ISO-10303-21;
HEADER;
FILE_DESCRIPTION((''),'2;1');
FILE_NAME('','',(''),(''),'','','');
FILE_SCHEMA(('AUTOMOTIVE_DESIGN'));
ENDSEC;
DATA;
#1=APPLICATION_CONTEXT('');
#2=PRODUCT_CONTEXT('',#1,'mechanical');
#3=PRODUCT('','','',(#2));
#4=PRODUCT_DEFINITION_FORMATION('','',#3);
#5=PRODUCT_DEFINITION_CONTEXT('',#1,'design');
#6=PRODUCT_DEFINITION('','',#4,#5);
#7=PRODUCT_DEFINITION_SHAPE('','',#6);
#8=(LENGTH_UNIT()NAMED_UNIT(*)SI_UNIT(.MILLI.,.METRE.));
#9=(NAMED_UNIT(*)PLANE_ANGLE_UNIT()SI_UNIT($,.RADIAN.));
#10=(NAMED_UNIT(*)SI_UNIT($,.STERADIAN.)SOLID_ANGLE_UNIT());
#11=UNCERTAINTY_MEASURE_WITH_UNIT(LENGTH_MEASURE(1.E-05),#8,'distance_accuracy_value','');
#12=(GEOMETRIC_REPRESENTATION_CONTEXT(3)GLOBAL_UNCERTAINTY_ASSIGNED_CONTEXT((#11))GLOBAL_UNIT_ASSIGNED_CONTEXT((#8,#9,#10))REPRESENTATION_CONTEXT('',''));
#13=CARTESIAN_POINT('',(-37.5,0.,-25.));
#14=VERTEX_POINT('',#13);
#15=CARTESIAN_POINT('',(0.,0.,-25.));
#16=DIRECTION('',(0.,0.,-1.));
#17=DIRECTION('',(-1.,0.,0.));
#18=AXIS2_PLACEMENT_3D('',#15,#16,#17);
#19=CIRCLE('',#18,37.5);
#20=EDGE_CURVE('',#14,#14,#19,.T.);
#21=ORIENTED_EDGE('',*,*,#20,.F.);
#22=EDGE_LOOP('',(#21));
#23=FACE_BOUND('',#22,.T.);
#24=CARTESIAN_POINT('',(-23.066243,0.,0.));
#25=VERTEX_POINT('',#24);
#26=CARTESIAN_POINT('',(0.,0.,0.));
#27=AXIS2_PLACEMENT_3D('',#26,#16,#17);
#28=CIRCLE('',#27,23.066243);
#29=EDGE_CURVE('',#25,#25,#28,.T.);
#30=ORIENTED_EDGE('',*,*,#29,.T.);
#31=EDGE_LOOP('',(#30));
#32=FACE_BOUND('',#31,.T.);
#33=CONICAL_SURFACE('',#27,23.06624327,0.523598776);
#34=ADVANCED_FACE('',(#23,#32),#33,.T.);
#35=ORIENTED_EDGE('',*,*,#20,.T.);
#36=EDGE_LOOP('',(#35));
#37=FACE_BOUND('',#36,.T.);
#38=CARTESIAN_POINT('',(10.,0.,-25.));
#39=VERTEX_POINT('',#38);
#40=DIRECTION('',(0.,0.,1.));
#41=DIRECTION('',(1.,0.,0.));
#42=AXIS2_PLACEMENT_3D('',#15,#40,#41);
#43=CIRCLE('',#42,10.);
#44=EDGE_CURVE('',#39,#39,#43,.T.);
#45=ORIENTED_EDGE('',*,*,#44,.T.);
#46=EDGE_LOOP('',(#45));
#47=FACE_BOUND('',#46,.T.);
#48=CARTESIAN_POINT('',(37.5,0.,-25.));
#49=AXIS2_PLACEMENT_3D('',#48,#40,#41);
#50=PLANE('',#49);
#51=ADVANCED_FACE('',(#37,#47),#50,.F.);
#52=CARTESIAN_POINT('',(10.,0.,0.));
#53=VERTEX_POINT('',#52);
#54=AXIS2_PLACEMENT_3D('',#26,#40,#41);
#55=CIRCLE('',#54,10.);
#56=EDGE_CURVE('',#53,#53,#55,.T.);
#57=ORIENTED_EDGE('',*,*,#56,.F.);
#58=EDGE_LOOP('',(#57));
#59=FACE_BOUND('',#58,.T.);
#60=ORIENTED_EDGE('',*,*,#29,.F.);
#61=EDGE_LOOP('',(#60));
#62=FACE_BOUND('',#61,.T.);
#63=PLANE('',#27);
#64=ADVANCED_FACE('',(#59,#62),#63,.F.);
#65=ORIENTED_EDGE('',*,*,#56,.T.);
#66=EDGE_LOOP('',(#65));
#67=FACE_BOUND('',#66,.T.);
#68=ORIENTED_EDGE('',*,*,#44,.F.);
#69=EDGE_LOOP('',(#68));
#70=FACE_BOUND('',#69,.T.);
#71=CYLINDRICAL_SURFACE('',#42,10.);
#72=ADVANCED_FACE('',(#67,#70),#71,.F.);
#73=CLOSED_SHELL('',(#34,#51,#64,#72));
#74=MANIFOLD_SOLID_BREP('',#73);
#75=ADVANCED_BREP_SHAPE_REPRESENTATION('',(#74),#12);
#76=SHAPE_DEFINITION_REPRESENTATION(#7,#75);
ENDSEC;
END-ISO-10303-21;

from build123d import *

# Parameters (mm, degrees)
SKETCH3_R          = 10
CUT_EXTRUDE1_DEPTH = 26


with BuildPart() as part:
    # Sketch2 → Revolve1 (revolve)
    with BuildSketch(Plane(origin=(0, 0, 0), x_dir=(1, 0, 0), z_dir=(0, 1, 0))):
        Polygon((0, 0), (23.06624327, 0), (37.5, 25), (0, 25), align=None)
    revolve(axis=Axis((0, 0, -25), (0, 0, 1)))

    # Sketch3 → Cut-Extrude1 (cut, through all)
    with BuildSketch(Plane.XY):
        Circle(SKETCH3_R)
    extrude(amount=-CUT_EXTRUDE1_DEPTH, mode=Mode.SUBTRACT)


solid = part.part
